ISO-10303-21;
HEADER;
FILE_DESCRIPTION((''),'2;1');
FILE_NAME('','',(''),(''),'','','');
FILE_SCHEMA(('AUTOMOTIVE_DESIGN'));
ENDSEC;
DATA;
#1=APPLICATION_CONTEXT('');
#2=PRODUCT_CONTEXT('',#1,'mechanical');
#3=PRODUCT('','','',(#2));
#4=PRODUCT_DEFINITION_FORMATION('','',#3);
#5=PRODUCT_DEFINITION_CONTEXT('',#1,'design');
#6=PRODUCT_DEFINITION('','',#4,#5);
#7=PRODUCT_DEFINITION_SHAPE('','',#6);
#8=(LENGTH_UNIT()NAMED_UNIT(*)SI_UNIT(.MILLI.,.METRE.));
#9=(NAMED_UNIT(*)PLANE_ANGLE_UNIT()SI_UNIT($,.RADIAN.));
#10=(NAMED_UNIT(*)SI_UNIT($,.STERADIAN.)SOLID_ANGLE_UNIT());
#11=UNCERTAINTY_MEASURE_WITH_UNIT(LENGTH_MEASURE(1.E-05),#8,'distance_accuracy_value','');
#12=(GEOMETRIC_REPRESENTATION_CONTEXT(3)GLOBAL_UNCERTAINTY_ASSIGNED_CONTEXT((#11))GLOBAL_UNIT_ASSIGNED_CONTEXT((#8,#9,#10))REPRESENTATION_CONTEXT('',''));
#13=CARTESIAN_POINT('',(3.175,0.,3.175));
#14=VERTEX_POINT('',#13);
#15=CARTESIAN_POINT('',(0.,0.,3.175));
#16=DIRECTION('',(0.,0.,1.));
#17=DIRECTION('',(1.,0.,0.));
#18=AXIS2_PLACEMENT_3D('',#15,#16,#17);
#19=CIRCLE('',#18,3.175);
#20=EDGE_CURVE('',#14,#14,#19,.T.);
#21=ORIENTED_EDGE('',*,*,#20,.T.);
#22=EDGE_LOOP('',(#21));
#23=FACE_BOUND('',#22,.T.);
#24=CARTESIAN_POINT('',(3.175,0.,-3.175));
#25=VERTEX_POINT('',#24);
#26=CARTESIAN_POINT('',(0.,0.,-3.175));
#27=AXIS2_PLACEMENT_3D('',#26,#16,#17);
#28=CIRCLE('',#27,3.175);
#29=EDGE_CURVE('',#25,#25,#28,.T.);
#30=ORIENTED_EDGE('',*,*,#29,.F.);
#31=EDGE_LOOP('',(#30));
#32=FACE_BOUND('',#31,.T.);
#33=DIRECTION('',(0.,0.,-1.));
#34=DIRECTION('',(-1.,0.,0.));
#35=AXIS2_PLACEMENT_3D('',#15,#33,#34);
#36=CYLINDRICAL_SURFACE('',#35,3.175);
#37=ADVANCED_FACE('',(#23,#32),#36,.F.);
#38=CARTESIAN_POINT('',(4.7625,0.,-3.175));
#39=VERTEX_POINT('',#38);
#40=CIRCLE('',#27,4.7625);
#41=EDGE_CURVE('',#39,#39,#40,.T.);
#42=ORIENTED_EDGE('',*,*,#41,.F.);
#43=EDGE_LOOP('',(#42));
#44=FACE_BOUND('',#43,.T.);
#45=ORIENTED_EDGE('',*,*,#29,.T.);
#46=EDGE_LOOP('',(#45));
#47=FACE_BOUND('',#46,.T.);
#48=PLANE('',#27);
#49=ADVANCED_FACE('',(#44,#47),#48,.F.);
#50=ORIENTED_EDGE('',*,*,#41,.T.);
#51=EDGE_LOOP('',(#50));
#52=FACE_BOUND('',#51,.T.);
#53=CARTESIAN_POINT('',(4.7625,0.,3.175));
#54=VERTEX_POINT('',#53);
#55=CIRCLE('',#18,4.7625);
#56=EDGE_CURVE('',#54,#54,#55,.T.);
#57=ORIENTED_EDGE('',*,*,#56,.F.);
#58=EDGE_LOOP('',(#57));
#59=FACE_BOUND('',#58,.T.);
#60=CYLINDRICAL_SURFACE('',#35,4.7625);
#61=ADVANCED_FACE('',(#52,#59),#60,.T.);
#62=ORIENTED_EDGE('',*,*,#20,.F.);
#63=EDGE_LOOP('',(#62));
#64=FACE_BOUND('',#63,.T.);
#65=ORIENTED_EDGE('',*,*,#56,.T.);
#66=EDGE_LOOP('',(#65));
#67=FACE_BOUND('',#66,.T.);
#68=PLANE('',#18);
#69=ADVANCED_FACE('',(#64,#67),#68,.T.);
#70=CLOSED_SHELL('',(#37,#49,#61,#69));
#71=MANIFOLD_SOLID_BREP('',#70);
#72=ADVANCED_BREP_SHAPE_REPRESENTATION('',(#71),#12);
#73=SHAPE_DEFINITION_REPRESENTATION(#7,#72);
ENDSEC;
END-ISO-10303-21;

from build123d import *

# Parameters (mm, degrees)
SKETCH1_R      = 4.7625
SKETCH1_R_2    = 3.175
EXTRUDE1_DEPTH = 3.175


with BuildPart() as part:
    # Sketch1 → Extrude1 (new body, symmetric)
    with BuildSketch(Plane.XY):
        Circle(SKETCH1_R)
        Circle(SKETCH1_R_2, mode=Mode.SUBTRACT)
    extrude(amount=EXTRUDE1_DEPTH, both=True)


solid = part.part
